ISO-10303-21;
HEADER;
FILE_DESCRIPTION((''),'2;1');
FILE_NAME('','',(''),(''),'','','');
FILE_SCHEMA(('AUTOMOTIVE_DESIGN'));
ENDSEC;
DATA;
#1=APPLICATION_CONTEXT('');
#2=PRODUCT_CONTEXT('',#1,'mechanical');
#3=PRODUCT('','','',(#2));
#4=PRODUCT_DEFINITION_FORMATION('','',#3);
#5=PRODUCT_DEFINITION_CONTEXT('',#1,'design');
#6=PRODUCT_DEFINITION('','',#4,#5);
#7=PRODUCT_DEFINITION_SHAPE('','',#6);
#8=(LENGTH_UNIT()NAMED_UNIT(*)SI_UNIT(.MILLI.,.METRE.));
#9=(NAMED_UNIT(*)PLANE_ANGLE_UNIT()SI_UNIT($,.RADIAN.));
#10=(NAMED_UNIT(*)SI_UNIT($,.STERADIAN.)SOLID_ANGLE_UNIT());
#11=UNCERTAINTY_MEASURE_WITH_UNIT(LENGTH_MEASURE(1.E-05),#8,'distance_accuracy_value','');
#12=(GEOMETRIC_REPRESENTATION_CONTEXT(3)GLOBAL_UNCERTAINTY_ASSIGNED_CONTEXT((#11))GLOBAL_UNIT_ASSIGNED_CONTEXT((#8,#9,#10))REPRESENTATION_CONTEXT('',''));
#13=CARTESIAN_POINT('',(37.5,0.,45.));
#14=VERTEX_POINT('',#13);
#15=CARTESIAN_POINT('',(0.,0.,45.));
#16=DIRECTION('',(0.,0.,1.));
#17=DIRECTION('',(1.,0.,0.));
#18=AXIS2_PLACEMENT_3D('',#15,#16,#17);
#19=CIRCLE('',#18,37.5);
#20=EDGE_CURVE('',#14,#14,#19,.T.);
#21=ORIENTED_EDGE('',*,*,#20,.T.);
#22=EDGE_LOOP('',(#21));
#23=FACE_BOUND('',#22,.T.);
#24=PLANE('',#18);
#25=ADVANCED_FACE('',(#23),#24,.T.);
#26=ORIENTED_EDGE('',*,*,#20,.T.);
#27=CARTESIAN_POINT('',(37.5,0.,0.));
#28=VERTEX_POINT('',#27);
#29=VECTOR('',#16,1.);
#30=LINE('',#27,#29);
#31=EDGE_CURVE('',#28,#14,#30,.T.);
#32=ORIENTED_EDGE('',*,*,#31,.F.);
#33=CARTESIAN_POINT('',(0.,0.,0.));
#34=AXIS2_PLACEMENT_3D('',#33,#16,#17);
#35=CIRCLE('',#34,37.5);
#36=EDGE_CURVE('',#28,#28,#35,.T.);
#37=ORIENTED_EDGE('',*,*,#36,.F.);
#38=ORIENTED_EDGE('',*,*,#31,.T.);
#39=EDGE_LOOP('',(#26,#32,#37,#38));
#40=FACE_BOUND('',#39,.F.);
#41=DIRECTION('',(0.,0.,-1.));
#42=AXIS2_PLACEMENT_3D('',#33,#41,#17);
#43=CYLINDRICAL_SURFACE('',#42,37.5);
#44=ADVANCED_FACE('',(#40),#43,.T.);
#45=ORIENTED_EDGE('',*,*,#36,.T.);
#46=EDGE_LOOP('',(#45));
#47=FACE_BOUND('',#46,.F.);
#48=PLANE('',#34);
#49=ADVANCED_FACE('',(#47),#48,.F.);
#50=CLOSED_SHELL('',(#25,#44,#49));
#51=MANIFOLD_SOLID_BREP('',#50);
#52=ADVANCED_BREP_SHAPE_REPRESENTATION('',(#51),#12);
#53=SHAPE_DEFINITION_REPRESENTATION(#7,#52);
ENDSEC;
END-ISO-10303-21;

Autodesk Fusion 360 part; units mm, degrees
sketch "스케치1" plane through (0, 0, 0) normal (0, 0, 1) x (1, 0, 0)
  circle A0 centre (0, 0) radius 37.5
  dimension "d1" = 75
extrude "돌출1" add sketch "스케치1" along normal blind 45
